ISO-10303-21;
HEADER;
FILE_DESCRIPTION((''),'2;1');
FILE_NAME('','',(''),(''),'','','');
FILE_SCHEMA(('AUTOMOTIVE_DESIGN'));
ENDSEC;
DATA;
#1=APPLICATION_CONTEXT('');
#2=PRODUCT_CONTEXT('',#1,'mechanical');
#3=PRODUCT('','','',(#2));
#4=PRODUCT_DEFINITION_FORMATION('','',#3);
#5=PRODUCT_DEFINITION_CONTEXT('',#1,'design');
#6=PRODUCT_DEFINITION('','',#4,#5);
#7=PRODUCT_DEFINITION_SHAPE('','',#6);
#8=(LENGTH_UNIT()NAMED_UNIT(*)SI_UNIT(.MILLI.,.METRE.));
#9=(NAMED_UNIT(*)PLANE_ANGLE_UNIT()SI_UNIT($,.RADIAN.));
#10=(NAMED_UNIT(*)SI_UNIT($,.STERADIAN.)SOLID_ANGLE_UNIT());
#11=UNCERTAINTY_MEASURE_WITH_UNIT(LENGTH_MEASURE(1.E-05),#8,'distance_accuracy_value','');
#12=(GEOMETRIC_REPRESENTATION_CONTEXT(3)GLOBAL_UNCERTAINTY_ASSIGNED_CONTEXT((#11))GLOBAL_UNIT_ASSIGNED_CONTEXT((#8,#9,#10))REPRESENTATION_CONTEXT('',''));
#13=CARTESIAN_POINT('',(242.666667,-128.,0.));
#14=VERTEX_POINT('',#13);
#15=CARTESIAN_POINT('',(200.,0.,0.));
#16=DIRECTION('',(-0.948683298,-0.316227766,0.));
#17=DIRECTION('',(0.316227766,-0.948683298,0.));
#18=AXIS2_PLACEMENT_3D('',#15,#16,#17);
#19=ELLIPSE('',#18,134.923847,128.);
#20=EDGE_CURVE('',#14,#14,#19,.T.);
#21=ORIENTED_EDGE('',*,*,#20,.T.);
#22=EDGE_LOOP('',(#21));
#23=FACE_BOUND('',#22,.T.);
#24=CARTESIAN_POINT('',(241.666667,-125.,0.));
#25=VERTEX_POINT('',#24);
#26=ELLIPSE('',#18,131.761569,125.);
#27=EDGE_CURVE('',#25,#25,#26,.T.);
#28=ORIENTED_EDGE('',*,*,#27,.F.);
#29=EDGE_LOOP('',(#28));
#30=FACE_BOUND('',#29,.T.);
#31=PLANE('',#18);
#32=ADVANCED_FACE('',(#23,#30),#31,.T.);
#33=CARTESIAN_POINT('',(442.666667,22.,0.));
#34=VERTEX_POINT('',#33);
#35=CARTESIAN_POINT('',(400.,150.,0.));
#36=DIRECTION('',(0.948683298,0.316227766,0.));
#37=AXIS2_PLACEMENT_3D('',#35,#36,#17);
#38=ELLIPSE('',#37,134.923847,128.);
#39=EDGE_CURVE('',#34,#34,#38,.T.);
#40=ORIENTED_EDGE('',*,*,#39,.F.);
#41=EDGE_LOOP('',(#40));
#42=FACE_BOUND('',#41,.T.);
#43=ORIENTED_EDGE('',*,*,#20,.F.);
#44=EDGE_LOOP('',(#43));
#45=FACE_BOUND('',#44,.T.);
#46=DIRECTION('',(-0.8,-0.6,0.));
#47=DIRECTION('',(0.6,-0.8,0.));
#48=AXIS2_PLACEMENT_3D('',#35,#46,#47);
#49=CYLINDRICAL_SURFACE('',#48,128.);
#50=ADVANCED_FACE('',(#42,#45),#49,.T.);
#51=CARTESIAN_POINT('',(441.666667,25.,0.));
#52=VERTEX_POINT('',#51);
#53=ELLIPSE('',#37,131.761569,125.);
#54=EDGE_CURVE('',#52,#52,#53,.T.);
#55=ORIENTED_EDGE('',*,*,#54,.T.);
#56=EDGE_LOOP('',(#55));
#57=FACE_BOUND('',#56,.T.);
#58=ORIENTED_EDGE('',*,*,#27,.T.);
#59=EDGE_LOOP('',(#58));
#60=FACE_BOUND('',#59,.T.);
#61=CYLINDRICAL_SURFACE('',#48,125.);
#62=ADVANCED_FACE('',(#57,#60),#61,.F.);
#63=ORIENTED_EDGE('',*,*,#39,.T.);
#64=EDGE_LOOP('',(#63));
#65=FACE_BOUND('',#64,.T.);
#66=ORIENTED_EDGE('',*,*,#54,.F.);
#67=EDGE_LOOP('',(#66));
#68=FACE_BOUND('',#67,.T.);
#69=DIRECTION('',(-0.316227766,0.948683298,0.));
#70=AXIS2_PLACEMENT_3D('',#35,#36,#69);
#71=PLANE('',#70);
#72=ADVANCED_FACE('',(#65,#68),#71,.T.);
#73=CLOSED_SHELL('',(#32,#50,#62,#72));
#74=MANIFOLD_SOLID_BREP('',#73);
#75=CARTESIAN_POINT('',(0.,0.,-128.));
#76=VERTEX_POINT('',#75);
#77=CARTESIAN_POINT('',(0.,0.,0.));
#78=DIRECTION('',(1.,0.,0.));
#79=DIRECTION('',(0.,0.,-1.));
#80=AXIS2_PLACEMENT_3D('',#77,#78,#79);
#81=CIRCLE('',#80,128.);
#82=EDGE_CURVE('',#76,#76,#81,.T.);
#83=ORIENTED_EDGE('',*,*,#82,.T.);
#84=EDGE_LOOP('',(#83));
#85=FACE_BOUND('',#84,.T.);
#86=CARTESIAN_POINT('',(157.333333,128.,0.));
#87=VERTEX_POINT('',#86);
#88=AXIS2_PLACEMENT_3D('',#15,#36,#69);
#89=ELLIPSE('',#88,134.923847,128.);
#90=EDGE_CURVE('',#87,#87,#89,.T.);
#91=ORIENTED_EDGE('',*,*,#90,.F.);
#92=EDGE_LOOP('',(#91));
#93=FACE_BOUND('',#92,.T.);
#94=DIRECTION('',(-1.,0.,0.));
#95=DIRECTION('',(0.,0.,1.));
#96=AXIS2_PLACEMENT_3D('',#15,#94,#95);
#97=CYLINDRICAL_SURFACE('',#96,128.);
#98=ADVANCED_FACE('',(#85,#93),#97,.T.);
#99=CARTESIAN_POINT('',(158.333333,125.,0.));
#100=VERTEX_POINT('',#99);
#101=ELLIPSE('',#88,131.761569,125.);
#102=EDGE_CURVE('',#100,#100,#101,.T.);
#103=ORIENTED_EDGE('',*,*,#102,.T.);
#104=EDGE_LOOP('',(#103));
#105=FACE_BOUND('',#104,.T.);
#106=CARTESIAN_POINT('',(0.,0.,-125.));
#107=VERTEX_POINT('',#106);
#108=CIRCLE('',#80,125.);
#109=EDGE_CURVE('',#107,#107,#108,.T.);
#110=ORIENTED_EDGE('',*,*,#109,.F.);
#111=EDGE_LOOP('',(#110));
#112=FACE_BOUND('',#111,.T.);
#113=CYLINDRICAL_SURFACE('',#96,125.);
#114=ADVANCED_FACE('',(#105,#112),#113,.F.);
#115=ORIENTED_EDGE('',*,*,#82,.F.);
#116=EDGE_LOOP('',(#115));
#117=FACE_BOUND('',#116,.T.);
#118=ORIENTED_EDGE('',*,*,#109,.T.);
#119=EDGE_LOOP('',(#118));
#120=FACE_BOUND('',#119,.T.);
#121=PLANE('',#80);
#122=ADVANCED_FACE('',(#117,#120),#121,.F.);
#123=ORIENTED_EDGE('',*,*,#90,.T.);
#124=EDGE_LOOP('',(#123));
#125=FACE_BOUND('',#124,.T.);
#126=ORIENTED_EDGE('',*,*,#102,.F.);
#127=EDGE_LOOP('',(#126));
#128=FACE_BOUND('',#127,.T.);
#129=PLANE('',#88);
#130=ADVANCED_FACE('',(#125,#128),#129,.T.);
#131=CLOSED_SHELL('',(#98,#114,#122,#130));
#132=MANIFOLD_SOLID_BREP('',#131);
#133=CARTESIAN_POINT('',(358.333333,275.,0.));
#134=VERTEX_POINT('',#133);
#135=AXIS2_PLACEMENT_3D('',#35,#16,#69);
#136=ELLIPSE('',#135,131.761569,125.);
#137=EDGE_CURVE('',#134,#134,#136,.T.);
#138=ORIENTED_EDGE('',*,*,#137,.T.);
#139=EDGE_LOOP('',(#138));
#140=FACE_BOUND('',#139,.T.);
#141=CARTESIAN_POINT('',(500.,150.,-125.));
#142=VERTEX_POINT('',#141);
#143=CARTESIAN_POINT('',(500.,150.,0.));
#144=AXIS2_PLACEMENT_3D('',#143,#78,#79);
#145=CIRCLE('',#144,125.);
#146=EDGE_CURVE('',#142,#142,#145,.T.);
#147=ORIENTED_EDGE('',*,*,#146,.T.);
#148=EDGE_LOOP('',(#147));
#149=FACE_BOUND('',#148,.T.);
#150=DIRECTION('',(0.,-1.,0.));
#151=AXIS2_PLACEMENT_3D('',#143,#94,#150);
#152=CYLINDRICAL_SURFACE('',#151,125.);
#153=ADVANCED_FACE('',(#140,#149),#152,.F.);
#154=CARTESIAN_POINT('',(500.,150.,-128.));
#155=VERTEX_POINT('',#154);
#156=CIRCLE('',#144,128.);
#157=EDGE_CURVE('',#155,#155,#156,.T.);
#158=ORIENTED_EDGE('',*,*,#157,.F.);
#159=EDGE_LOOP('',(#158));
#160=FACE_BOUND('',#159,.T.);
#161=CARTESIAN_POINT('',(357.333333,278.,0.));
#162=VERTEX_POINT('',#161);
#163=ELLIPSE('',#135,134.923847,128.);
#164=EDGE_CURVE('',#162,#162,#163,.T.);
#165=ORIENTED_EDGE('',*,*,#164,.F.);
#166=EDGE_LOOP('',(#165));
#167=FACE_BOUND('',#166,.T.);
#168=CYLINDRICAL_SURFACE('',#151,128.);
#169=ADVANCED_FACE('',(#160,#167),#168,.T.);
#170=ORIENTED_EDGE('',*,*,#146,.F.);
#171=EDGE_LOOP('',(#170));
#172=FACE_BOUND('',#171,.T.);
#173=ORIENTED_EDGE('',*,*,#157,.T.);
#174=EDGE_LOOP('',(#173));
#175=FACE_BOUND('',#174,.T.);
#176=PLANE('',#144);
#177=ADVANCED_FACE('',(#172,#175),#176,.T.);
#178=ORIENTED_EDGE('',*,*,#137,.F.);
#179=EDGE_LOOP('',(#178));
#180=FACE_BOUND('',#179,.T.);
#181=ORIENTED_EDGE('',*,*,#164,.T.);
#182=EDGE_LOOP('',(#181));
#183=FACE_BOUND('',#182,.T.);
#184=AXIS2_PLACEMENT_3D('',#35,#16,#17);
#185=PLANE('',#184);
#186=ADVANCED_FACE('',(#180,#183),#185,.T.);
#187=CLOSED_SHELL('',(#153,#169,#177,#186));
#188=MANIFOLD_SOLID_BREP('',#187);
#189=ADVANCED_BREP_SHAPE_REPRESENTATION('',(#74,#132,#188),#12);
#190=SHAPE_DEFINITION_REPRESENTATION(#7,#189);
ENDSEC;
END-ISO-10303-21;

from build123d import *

# Parameters (mm, degrees)
SKETCH1_R                = 128
SKETCH1_R_2              = 125
STRUKTURBAUTEIL1_DEPTH   = 261.339778661
SKETCH1_ON_SEGMENT_2_R   = 128
SKETCH1_ON_SEGMENT_2_R_2 = 125
STRUKTURBAUTEIL1_2_DEPTH = 372.679557323
SKETCH1_ON_SEGMENT_3_R   = 128
SKETCH1_ON_SEGMENT_3_R_2 = 125
STRUKTURBAUTEIL1_3_DEPTH = 161.339778661


with BuildPart() as part:
    # Sketch1 → Strukturbauteil1 (new body)
    with BuildSketch(Plane.YZ):
        Circle(SKETCH1_R)
        Circle(SKETCH1_R_2, mode=Mode.SUBTRACT)
    extrude(amount=STRUKTURBAUTEIL1_DEPTH)

    # Strukturbauteil1 mitre 1
    split(bisect_by=Plane(origin=(200, 0, 0), x_dir=(0.316227766, -0.948683298, 0), z_dir=(-0.948683298, -0.316227766, 0)), keep=Keep.TOP)


with BuildPart() as body_2:
    # Sketch1 on segment 2 (carried to segment 2) → Strukturbauteil1 2 (new body)
    with BuildSketch(Plane(origin=(150.928177071, -36.803867197, 0), x_dir=(-0.6, 0.8, 0), z_dir=(0.8, 0.6, 0))):
        Circle(SKETCH1_ON_SEGMENT_2_R)
        Circle(SKETCH1_ON_SEGMENT_2_R_2, mode=Mode.SUBTRACT)
    extrude(amount=STRUKTURBAUTEIL1_2_DEPTH)

    # Strukturbauteil1 2 mitre 1
    split(bisect_by=Plane(origin=(200, 0, 0), x_dir=(-0.316227766, 0.948683298, 0), z_dir=(0.948683298, 0.316227766, 0)), keep=Keep.TOP)

    # Strukturbauteil1 2 mitre 2
    split(bisect_by=Plane(origin=(400, 150, 0), x_dir=(0.316227766, -0.948683298, 0), z_dir=(-0.948683298, -0.316227766, 0)), keep=Keep.TOP)


with BuildPart() as body_3:
    # Sketch1 on segment 3 (carried to segment 3) → Strukturbauteil1 3 (new body)
    with BuildSketch(Plane(origin=(338.660221339, 150, 0), x_dir=(0, 1, 0), z_dir=(1, 0, 0))):
        Circle(SKETCH1_ON_SEGMENT_3_R)
        Circle(SKETCH1_ON_SEGMENT_3_R_2, mode=Mode.SUBTRACT)
    extrude(amount=STRUKTURBAUTEIL1_3_DEPTH)

    # Strukturbauteil1 3 mitre 1
    split(bisect_by=Plane(origin=(400, 150, 0), x_dir=(-0.316227766, 0.948683298, 0), z_dir=(0.948683298, 0.316227766, 0)), keep=Keep.TOP)


solid = Compound([part.part, body_2.part, body_3.part])
